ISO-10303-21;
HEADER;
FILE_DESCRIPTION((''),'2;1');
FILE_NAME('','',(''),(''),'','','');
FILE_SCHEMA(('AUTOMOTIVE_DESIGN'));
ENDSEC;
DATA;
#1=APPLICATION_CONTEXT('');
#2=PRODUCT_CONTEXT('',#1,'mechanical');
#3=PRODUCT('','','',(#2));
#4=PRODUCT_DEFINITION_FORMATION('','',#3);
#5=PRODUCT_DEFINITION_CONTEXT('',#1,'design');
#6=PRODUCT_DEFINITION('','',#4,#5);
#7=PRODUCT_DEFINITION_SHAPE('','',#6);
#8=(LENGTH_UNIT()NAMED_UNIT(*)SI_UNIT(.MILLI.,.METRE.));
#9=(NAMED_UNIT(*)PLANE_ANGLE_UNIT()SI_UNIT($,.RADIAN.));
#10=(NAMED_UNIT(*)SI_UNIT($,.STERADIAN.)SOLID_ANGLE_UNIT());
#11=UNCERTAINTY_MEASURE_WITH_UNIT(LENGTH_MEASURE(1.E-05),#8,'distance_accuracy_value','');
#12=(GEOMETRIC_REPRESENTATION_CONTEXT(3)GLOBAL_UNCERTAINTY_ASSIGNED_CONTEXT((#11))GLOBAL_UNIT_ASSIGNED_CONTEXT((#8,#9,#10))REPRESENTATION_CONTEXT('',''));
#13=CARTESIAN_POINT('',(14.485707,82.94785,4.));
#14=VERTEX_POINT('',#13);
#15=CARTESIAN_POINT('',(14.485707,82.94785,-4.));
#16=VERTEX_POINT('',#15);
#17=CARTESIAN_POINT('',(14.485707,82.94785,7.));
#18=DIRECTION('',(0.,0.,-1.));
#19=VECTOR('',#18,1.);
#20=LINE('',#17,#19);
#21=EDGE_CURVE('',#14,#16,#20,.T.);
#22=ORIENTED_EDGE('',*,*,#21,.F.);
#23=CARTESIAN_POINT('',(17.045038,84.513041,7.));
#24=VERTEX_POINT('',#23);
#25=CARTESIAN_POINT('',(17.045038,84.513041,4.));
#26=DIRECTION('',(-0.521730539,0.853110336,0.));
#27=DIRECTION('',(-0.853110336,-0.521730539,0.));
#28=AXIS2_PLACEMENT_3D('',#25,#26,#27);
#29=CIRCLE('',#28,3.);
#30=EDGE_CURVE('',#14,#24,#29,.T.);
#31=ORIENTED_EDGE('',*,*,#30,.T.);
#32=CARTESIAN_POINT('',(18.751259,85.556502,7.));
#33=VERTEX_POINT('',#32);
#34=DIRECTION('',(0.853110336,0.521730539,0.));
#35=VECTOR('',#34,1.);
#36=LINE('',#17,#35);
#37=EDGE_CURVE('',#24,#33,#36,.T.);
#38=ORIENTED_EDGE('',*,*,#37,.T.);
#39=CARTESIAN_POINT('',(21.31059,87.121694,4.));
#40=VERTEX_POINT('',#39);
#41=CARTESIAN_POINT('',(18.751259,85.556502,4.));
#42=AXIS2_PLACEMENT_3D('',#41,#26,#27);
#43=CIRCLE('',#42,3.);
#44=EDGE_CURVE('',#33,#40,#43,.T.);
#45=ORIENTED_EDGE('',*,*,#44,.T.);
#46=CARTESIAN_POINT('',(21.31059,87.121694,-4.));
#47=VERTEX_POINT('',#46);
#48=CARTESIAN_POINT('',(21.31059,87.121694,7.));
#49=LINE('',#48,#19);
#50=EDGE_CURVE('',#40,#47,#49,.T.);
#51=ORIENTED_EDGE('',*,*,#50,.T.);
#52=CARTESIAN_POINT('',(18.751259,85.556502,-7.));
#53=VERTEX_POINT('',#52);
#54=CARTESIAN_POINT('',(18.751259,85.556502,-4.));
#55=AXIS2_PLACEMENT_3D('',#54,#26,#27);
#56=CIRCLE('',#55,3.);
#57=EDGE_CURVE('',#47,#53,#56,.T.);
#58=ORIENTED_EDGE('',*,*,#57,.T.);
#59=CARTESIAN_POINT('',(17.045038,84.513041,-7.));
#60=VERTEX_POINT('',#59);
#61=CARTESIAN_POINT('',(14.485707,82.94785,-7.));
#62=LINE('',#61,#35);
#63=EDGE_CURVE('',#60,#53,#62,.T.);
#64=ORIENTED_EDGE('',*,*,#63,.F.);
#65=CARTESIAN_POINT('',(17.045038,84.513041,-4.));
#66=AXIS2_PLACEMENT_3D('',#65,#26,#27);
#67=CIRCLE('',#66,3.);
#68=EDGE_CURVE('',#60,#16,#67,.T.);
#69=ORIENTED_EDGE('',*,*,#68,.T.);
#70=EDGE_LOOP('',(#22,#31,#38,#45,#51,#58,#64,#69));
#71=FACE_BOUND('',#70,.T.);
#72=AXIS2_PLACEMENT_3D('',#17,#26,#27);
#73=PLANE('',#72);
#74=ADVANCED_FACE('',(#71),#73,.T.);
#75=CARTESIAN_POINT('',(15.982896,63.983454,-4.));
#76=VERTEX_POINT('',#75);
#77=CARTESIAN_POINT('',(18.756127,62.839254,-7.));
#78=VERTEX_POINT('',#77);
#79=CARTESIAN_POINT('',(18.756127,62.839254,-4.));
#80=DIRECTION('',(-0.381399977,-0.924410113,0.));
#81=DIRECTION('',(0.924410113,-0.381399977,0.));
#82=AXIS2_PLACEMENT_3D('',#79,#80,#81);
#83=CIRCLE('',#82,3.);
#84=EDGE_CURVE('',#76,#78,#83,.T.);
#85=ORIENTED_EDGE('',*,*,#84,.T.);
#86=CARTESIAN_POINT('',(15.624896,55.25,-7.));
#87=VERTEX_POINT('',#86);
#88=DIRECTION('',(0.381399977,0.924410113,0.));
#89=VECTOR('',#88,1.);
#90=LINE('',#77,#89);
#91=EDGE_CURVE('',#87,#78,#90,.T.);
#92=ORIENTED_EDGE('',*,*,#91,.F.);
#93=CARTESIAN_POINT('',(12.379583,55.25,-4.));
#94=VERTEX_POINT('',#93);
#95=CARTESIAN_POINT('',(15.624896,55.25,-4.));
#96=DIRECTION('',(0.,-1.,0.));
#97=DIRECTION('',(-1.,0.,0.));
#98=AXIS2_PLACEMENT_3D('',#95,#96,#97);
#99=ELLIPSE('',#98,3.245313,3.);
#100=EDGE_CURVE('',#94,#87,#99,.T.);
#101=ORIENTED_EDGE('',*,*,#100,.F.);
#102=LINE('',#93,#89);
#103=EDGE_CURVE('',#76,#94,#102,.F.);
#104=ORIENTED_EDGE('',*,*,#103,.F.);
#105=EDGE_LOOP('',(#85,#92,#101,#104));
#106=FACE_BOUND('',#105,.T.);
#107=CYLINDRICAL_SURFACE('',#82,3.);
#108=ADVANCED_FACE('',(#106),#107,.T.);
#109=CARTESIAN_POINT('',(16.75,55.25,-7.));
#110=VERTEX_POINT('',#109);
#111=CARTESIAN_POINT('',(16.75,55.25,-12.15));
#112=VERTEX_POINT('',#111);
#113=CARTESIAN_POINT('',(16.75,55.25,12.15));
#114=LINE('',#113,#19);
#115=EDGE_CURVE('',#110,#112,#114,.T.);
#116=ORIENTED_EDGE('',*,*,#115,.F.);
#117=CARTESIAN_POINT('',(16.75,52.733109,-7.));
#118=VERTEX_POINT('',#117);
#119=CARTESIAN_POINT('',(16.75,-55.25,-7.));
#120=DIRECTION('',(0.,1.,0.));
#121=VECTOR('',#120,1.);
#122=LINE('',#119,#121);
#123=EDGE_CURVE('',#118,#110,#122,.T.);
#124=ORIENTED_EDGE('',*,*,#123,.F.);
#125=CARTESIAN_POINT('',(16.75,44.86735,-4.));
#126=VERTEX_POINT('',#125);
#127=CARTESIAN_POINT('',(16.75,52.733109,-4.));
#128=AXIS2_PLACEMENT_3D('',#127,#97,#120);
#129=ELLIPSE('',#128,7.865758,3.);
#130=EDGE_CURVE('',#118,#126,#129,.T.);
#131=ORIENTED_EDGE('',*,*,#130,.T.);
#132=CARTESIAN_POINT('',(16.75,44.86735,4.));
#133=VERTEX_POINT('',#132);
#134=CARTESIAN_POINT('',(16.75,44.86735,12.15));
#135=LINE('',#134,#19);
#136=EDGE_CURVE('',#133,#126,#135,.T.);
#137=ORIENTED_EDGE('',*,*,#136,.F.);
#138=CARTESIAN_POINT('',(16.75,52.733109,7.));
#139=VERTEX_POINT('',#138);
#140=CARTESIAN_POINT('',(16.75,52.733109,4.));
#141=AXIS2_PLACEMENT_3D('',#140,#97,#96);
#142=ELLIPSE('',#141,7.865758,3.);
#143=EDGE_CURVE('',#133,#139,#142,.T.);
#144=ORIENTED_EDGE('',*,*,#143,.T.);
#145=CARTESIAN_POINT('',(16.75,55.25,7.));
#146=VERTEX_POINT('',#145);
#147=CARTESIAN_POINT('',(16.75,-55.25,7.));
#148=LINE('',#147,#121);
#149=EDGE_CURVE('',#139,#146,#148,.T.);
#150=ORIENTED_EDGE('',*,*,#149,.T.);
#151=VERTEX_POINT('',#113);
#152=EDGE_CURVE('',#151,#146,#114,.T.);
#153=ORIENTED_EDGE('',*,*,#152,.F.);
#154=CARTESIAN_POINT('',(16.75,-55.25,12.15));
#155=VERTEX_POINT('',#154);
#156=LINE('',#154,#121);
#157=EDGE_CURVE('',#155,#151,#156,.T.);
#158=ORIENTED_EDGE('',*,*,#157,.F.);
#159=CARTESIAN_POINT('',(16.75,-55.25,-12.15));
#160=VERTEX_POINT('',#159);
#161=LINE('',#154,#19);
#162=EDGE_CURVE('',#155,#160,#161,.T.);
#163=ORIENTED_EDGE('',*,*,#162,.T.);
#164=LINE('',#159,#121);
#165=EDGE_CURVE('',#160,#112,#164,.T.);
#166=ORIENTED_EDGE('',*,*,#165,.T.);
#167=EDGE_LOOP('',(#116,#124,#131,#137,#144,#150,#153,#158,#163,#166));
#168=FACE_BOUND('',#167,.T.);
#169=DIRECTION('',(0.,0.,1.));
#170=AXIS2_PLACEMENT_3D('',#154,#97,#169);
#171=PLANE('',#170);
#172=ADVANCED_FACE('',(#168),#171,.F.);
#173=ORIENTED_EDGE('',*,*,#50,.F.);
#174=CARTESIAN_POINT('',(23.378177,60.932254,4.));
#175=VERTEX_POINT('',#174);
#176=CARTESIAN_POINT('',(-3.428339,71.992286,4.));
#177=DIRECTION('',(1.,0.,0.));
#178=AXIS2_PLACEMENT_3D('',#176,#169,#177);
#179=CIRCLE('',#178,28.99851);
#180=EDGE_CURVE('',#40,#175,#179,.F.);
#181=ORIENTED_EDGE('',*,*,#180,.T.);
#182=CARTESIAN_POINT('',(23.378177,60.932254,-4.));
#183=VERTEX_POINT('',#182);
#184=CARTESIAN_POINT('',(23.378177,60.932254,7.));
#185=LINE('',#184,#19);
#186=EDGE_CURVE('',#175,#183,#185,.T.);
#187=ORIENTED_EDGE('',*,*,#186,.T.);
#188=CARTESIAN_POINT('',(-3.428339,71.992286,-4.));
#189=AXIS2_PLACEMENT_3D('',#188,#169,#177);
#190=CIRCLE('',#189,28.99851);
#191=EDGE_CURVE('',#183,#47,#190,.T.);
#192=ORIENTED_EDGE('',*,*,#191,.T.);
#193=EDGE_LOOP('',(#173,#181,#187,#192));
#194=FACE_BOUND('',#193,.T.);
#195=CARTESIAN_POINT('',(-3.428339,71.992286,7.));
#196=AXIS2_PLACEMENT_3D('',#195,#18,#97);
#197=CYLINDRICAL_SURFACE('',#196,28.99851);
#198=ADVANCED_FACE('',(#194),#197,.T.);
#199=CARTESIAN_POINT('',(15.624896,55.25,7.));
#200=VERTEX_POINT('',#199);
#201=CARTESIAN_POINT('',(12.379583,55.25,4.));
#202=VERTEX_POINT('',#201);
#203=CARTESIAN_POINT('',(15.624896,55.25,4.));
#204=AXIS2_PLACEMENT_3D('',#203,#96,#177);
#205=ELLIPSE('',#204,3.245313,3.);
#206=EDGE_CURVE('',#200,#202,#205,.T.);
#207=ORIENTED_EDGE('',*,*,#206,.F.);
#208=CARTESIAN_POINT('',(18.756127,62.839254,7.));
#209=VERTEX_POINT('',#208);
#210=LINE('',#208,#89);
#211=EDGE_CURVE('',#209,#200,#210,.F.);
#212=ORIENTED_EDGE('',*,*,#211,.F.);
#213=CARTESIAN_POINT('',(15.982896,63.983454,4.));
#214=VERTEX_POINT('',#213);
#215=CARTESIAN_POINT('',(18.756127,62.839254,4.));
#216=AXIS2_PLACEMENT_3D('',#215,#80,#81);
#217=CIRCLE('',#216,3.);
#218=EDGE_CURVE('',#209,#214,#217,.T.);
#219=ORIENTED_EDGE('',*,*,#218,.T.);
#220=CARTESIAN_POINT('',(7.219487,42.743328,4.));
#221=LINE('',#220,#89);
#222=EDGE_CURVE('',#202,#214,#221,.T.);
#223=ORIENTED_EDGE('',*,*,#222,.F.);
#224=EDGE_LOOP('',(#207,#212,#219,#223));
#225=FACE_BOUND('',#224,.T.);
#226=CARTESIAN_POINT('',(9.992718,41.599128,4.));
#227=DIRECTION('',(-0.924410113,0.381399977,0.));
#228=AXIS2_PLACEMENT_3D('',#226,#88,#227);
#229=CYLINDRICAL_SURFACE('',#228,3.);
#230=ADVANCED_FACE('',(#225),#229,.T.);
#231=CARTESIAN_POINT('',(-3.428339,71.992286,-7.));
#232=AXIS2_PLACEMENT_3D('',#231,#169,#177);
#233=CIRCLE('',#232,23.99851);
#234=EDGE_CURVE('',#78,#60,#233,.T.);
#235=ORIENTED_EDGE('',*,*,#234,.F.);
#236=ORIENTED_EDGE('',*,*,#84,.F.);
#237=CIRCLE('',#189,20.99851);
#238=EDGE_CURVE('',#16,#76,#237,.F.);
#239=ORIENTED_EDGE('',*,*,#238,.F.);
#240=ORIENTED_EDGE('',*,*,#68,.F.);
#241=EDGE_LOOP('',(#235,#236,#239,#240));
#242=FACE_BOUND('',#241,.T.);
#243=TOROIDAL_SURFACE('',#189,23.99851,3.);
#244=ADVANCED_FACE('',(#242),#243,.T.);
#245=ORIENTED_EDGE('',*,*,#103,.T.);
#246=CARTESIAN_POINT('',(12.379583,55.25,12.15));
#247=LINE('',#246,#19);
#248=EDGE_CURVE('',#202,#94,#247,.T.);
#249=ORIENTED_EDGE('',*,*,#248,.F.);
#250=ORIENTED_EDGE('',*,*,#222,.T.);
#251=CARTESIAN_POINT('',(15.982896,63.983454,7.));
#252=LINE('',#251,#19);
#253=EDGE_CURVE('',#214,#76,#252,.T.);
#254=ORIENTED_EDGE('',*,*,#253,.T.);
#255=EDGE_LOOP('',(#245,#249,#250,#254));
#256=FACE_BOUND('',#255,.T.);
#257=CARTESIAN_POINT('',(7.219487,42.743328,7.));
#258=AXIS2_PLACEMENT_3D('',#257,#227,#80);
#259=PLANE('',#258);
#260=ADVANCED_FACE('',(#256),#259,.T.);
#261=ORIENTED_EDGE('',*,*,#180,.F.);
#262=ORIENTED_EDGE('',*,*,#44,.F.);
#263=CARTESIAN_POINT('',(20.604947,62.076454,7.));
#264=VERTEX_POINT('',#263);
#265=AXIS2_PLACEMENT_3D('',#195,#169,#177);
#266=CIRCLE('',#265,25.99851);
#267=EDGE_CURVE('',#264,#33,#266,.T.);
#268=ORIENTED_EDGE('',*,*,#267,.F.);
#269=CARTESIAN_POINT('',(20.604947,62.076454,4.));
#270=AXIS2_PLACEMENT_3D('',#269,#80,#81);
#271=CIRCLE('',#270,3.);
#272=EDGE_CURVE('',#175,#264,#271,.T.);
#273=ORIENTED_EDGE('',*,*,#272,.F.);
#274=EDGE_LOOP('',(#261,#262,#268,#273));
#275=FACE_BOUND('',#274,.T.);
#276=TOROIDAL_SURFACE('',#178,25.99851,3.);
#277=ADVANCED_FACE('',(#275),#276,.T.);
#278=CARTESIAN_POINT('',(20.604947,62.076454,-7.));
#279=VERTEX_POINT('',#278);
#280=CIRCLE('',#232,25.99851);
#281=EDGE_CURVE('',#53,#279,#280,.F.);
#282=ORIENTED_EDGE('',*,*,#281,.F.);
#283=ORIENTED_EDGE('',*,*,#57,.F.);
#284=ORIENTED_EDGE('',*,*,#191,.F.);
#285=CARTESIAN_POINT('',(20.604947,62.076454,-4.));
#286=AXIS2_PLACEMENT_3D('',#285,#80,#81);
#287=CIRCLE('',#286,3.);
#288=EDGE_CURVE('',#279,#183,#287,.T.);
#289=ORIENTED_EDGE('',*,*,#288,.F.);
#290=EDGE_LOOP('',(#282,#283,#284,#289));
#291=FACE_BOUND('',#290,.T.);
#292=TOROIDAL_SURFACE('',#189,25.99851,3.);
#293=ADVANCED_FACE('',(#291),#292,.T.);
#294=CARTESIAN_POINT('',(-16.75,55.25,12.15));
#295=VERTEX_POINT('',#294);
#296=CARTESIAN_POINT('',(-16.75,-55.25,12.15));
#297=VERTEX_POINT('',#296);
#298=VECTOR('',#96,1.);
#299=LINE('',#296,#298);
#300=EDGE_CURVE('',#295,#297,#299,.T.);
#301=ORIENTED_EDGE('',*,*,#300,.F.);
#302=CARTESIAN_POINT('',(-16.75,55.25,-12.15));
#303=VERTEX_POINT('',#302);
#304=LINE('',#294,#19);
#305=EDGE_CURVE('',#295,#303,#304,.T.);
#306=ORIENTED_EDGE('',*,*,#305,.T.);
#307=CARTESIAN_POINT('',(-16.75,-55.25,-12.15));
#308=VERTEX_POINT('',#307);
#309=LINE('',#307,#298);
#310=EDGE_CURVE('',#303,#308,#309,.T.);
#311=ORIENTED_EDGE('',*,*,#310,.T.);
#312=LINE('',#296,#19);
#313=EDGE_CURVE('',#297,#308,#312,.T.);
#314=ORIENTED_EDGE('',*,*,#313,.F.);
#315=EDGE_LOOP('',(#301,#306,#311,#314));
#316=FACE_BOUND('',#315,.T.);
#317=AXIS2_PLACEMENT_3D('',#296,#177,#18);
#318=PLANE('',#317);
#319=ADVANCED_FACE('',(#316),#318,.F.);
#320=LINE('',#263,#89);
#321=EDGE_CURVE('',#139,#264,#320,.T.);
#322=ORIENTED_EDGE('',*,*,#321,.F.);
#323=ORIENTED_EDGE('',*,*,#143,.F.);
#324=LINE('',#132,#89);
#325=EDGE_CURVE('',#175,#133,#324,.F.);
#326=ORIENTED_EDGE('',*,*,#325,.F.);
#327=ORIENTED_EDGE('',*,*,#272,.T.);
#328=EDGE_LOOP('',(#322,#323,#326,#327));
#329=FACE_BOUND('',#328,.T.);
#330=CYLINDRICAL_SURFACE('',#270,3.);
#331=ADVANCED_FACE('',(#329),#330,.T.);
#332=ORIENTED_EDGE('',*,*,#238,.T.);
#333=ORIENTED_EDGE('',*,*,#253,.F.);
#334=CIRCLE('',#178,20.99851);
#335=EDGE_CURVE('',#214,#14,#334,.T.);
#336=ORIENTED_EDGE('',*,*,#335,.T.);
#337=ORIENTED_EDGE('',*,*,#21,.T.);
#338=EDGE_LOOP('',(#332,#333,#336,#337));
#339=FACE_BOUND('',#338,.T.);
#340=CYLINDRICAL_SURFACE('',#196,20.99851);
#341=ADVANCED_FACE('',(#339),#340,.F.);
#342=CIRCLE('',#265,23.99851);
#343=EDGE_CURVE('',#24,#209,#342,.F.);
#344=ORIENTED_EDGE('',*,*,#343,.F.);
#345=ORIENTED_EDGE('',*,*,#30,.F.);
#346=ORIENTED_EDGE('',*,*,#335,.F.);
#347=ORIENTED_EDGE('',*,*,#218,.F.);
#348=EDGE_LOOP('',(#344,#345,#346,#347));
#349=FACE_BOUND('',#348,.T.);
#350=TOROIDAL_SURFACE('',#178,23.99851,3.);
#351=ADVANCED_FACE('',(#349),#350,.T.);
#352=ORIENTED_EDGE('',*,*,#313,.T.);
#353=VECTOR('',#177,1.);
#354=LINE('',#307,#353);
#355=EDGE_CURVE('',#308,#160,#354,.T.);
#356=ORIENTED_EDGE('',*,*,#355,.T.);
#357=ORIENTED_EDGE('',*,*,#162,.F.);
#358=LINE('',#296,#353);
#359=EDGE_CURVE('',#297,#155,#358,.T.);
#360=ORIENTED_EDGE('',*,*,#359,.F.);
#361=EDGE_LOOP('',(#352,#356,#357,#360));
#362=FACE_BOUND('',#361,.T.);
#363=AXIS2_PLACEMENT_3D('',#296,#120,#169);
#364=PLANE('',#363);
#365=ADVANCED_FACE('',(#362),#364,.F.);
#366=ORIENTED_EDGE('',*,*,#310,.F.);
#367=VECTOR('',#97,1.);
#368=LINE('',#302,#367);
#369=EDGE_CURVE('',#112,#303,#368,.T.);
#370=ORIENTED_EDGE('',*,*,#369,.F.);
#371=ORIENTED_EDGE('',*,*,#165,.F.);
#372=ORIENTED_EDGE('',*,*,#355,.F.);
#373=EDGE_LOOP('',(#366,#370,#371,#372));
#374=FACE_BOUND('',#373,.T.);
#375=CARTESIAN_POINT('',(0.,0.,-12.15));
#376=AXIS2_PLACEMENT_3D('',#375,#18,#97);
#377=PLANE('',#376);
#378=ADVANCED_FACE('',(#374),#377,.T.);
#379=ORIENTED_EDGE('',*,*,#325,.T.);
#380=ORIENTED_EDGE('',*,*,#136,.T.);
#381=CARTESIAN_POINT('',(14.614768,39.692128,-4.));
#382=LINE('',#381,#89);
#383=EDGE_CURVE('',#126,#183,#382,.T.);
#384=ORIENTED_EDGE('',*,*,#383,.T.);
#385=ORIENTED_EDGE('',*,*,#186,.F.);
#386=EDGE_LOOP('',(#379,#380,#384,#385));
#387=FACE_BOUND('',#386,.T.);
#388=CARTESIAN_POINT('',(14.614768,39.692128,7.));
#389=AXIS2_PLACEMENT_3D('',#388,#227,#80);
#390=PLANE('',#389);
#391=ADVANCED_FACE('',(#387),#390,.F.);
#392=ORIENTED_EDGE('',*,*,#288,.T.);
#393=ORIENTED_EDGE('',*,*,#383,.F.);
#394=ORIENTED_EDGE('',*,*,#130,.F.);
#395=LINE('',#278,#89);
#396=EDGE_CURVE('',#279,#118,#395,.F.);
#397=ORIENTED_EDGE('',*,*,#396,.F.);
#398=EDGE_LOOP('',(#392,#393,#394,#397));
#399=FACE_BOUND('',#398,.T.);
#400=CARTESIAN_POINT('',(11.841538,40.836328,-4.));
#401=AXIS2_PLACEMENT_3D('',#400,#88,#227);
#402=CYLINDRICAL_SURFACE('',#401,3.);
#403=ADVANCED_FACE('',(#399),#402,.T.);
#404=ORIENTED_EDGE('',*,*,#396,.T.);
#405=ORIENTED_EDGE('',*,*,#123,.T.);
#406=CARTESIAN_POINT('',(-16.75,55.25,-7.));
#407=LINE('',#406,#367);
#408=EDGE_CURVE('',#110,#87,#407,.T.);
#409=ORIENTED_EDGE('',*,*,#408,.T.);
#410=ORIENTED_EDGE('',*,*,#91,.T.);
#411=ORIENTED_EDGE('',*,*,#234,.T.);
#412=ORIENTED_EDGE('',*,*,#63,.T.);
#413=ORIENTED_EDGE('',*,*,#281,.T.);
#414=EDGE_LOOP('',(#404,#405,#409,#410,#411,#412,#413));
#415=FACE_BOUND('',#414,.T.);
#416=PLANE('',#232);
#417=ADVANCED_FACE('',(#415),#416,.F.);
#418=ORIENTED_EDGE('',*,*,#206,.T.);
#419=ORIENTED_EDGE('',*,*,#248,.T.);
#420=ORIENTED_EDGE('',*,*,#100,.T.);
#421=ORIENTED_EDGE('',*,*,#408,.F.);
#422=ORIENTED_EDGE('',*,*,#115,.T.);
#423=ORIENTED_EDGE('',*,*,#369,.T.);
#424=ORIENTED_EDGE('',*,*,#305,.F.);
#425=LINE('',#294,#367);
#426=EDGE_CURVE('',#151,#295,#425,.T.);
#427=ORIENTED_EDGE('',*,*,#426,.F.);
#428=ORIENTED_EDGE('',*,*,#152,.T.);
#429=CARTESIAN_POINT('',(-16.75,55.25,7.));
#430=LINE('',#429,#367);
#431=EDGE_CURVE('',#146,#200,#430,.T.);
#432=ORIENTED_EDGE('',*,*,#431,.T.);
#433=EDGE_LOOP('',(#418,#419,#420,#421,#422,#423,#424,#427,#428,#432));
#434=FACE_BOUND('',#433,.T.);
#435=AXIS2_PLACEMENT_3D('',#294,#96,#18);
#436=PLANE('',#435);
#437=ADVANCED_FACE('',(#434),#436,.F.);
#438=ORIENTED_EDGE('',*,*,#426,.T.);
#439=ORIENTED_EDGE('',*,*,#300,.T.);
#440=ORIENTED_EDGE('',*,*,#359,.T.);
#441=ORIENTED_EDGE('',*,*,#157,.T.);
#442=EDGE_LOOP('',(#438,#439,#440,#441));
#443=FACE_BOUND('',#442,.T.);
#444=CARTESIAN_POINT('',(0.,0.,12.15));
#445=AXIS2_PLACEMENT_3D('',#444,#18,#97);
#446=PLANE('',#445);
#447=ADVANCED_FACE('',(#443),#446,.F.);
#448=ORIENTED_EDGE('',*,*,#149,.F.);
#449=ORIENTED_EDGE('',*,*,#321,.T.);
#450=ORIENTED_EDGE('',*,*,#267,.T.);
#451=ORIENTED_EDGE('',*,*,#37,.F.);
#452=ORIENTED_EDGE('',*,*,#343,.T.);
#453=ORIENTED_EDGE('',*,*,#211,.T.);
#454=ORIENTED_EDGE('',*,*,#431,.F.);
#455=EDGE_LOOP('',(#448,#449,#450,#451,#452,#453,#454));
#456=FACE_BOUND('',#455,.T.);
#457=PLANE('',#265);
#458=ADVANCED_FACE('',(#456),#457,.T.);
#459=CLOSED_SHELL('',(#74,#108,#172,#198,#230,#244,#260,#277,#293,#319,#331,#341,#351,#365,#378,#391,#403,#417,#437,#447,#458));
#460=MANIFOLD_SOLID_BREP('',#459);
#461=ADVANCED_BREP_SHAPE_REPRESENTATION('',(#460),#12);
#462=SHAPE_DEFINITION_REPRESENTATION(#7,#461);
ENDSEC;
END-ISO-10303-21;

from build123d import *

# Parameters (mm, degrees)
SKETCH1_W   = 33.5
SKETCH1_H   = 110.5
BODY_DEPTH  = 12.15
CABLE_DEPTH = 7
FILLET1_R   = 3


with BuildPart() as part:
    # Sketch1 → Body (new, symmetric)
    with BuildSketch(Plane.XY):
        Rectangle(SKETCH1_W, SKETCH1_H)
    extrude(amount=BODY_DEPTH, both=True)

    # Sketch2 → Cable (add, symmetric)
    with BuildSketch(Plane.XY):
        with BuildLine():
            Line((14.614768377, 39.692127969), (23.378177187, 60.932254406))
            ThreePointArc((23.378177187, 60.932254406), (25.480222235, 74.274540457), (21.310589844, 87.121694079))
            Line((21.310589844, 87.121694079), (14.485707158, 82.94784977))
            ThreePointArc((14.485707158, 82.94784977), (17.505037046, 73.644920573), (15.98289628, 63.98345422))
            Line((15.98289628, 63.98345422), (7.21948747, 42.743327783))
            Line((7.21948747, 42.743327783), (14.614768377, 39.692127969))
        make_face()
    extrude(amount=CABLE_DEPTH, both=True)

    # Fillet1
    fillet1_edges = [part.edges().sort_by_distance(p)[0] for p in [
        (20.064088593, 52.899802391, -7),
        (14.18123964, 59.61672711, 7),
        (20.064088593, 52.899802391, 7),
        (25.480222235, 74.274540457, 7),
        (14.18123964, 59.61672711, -7),
        (17.505037046, 73.644920573, -7),
        (25.480222235, 74.274540457, -7),
        (17.505037046, 73.644920573, 7),
    ]]
    fillet(fillet1_edges, radius=FILLET1_R)


solid = part.part
